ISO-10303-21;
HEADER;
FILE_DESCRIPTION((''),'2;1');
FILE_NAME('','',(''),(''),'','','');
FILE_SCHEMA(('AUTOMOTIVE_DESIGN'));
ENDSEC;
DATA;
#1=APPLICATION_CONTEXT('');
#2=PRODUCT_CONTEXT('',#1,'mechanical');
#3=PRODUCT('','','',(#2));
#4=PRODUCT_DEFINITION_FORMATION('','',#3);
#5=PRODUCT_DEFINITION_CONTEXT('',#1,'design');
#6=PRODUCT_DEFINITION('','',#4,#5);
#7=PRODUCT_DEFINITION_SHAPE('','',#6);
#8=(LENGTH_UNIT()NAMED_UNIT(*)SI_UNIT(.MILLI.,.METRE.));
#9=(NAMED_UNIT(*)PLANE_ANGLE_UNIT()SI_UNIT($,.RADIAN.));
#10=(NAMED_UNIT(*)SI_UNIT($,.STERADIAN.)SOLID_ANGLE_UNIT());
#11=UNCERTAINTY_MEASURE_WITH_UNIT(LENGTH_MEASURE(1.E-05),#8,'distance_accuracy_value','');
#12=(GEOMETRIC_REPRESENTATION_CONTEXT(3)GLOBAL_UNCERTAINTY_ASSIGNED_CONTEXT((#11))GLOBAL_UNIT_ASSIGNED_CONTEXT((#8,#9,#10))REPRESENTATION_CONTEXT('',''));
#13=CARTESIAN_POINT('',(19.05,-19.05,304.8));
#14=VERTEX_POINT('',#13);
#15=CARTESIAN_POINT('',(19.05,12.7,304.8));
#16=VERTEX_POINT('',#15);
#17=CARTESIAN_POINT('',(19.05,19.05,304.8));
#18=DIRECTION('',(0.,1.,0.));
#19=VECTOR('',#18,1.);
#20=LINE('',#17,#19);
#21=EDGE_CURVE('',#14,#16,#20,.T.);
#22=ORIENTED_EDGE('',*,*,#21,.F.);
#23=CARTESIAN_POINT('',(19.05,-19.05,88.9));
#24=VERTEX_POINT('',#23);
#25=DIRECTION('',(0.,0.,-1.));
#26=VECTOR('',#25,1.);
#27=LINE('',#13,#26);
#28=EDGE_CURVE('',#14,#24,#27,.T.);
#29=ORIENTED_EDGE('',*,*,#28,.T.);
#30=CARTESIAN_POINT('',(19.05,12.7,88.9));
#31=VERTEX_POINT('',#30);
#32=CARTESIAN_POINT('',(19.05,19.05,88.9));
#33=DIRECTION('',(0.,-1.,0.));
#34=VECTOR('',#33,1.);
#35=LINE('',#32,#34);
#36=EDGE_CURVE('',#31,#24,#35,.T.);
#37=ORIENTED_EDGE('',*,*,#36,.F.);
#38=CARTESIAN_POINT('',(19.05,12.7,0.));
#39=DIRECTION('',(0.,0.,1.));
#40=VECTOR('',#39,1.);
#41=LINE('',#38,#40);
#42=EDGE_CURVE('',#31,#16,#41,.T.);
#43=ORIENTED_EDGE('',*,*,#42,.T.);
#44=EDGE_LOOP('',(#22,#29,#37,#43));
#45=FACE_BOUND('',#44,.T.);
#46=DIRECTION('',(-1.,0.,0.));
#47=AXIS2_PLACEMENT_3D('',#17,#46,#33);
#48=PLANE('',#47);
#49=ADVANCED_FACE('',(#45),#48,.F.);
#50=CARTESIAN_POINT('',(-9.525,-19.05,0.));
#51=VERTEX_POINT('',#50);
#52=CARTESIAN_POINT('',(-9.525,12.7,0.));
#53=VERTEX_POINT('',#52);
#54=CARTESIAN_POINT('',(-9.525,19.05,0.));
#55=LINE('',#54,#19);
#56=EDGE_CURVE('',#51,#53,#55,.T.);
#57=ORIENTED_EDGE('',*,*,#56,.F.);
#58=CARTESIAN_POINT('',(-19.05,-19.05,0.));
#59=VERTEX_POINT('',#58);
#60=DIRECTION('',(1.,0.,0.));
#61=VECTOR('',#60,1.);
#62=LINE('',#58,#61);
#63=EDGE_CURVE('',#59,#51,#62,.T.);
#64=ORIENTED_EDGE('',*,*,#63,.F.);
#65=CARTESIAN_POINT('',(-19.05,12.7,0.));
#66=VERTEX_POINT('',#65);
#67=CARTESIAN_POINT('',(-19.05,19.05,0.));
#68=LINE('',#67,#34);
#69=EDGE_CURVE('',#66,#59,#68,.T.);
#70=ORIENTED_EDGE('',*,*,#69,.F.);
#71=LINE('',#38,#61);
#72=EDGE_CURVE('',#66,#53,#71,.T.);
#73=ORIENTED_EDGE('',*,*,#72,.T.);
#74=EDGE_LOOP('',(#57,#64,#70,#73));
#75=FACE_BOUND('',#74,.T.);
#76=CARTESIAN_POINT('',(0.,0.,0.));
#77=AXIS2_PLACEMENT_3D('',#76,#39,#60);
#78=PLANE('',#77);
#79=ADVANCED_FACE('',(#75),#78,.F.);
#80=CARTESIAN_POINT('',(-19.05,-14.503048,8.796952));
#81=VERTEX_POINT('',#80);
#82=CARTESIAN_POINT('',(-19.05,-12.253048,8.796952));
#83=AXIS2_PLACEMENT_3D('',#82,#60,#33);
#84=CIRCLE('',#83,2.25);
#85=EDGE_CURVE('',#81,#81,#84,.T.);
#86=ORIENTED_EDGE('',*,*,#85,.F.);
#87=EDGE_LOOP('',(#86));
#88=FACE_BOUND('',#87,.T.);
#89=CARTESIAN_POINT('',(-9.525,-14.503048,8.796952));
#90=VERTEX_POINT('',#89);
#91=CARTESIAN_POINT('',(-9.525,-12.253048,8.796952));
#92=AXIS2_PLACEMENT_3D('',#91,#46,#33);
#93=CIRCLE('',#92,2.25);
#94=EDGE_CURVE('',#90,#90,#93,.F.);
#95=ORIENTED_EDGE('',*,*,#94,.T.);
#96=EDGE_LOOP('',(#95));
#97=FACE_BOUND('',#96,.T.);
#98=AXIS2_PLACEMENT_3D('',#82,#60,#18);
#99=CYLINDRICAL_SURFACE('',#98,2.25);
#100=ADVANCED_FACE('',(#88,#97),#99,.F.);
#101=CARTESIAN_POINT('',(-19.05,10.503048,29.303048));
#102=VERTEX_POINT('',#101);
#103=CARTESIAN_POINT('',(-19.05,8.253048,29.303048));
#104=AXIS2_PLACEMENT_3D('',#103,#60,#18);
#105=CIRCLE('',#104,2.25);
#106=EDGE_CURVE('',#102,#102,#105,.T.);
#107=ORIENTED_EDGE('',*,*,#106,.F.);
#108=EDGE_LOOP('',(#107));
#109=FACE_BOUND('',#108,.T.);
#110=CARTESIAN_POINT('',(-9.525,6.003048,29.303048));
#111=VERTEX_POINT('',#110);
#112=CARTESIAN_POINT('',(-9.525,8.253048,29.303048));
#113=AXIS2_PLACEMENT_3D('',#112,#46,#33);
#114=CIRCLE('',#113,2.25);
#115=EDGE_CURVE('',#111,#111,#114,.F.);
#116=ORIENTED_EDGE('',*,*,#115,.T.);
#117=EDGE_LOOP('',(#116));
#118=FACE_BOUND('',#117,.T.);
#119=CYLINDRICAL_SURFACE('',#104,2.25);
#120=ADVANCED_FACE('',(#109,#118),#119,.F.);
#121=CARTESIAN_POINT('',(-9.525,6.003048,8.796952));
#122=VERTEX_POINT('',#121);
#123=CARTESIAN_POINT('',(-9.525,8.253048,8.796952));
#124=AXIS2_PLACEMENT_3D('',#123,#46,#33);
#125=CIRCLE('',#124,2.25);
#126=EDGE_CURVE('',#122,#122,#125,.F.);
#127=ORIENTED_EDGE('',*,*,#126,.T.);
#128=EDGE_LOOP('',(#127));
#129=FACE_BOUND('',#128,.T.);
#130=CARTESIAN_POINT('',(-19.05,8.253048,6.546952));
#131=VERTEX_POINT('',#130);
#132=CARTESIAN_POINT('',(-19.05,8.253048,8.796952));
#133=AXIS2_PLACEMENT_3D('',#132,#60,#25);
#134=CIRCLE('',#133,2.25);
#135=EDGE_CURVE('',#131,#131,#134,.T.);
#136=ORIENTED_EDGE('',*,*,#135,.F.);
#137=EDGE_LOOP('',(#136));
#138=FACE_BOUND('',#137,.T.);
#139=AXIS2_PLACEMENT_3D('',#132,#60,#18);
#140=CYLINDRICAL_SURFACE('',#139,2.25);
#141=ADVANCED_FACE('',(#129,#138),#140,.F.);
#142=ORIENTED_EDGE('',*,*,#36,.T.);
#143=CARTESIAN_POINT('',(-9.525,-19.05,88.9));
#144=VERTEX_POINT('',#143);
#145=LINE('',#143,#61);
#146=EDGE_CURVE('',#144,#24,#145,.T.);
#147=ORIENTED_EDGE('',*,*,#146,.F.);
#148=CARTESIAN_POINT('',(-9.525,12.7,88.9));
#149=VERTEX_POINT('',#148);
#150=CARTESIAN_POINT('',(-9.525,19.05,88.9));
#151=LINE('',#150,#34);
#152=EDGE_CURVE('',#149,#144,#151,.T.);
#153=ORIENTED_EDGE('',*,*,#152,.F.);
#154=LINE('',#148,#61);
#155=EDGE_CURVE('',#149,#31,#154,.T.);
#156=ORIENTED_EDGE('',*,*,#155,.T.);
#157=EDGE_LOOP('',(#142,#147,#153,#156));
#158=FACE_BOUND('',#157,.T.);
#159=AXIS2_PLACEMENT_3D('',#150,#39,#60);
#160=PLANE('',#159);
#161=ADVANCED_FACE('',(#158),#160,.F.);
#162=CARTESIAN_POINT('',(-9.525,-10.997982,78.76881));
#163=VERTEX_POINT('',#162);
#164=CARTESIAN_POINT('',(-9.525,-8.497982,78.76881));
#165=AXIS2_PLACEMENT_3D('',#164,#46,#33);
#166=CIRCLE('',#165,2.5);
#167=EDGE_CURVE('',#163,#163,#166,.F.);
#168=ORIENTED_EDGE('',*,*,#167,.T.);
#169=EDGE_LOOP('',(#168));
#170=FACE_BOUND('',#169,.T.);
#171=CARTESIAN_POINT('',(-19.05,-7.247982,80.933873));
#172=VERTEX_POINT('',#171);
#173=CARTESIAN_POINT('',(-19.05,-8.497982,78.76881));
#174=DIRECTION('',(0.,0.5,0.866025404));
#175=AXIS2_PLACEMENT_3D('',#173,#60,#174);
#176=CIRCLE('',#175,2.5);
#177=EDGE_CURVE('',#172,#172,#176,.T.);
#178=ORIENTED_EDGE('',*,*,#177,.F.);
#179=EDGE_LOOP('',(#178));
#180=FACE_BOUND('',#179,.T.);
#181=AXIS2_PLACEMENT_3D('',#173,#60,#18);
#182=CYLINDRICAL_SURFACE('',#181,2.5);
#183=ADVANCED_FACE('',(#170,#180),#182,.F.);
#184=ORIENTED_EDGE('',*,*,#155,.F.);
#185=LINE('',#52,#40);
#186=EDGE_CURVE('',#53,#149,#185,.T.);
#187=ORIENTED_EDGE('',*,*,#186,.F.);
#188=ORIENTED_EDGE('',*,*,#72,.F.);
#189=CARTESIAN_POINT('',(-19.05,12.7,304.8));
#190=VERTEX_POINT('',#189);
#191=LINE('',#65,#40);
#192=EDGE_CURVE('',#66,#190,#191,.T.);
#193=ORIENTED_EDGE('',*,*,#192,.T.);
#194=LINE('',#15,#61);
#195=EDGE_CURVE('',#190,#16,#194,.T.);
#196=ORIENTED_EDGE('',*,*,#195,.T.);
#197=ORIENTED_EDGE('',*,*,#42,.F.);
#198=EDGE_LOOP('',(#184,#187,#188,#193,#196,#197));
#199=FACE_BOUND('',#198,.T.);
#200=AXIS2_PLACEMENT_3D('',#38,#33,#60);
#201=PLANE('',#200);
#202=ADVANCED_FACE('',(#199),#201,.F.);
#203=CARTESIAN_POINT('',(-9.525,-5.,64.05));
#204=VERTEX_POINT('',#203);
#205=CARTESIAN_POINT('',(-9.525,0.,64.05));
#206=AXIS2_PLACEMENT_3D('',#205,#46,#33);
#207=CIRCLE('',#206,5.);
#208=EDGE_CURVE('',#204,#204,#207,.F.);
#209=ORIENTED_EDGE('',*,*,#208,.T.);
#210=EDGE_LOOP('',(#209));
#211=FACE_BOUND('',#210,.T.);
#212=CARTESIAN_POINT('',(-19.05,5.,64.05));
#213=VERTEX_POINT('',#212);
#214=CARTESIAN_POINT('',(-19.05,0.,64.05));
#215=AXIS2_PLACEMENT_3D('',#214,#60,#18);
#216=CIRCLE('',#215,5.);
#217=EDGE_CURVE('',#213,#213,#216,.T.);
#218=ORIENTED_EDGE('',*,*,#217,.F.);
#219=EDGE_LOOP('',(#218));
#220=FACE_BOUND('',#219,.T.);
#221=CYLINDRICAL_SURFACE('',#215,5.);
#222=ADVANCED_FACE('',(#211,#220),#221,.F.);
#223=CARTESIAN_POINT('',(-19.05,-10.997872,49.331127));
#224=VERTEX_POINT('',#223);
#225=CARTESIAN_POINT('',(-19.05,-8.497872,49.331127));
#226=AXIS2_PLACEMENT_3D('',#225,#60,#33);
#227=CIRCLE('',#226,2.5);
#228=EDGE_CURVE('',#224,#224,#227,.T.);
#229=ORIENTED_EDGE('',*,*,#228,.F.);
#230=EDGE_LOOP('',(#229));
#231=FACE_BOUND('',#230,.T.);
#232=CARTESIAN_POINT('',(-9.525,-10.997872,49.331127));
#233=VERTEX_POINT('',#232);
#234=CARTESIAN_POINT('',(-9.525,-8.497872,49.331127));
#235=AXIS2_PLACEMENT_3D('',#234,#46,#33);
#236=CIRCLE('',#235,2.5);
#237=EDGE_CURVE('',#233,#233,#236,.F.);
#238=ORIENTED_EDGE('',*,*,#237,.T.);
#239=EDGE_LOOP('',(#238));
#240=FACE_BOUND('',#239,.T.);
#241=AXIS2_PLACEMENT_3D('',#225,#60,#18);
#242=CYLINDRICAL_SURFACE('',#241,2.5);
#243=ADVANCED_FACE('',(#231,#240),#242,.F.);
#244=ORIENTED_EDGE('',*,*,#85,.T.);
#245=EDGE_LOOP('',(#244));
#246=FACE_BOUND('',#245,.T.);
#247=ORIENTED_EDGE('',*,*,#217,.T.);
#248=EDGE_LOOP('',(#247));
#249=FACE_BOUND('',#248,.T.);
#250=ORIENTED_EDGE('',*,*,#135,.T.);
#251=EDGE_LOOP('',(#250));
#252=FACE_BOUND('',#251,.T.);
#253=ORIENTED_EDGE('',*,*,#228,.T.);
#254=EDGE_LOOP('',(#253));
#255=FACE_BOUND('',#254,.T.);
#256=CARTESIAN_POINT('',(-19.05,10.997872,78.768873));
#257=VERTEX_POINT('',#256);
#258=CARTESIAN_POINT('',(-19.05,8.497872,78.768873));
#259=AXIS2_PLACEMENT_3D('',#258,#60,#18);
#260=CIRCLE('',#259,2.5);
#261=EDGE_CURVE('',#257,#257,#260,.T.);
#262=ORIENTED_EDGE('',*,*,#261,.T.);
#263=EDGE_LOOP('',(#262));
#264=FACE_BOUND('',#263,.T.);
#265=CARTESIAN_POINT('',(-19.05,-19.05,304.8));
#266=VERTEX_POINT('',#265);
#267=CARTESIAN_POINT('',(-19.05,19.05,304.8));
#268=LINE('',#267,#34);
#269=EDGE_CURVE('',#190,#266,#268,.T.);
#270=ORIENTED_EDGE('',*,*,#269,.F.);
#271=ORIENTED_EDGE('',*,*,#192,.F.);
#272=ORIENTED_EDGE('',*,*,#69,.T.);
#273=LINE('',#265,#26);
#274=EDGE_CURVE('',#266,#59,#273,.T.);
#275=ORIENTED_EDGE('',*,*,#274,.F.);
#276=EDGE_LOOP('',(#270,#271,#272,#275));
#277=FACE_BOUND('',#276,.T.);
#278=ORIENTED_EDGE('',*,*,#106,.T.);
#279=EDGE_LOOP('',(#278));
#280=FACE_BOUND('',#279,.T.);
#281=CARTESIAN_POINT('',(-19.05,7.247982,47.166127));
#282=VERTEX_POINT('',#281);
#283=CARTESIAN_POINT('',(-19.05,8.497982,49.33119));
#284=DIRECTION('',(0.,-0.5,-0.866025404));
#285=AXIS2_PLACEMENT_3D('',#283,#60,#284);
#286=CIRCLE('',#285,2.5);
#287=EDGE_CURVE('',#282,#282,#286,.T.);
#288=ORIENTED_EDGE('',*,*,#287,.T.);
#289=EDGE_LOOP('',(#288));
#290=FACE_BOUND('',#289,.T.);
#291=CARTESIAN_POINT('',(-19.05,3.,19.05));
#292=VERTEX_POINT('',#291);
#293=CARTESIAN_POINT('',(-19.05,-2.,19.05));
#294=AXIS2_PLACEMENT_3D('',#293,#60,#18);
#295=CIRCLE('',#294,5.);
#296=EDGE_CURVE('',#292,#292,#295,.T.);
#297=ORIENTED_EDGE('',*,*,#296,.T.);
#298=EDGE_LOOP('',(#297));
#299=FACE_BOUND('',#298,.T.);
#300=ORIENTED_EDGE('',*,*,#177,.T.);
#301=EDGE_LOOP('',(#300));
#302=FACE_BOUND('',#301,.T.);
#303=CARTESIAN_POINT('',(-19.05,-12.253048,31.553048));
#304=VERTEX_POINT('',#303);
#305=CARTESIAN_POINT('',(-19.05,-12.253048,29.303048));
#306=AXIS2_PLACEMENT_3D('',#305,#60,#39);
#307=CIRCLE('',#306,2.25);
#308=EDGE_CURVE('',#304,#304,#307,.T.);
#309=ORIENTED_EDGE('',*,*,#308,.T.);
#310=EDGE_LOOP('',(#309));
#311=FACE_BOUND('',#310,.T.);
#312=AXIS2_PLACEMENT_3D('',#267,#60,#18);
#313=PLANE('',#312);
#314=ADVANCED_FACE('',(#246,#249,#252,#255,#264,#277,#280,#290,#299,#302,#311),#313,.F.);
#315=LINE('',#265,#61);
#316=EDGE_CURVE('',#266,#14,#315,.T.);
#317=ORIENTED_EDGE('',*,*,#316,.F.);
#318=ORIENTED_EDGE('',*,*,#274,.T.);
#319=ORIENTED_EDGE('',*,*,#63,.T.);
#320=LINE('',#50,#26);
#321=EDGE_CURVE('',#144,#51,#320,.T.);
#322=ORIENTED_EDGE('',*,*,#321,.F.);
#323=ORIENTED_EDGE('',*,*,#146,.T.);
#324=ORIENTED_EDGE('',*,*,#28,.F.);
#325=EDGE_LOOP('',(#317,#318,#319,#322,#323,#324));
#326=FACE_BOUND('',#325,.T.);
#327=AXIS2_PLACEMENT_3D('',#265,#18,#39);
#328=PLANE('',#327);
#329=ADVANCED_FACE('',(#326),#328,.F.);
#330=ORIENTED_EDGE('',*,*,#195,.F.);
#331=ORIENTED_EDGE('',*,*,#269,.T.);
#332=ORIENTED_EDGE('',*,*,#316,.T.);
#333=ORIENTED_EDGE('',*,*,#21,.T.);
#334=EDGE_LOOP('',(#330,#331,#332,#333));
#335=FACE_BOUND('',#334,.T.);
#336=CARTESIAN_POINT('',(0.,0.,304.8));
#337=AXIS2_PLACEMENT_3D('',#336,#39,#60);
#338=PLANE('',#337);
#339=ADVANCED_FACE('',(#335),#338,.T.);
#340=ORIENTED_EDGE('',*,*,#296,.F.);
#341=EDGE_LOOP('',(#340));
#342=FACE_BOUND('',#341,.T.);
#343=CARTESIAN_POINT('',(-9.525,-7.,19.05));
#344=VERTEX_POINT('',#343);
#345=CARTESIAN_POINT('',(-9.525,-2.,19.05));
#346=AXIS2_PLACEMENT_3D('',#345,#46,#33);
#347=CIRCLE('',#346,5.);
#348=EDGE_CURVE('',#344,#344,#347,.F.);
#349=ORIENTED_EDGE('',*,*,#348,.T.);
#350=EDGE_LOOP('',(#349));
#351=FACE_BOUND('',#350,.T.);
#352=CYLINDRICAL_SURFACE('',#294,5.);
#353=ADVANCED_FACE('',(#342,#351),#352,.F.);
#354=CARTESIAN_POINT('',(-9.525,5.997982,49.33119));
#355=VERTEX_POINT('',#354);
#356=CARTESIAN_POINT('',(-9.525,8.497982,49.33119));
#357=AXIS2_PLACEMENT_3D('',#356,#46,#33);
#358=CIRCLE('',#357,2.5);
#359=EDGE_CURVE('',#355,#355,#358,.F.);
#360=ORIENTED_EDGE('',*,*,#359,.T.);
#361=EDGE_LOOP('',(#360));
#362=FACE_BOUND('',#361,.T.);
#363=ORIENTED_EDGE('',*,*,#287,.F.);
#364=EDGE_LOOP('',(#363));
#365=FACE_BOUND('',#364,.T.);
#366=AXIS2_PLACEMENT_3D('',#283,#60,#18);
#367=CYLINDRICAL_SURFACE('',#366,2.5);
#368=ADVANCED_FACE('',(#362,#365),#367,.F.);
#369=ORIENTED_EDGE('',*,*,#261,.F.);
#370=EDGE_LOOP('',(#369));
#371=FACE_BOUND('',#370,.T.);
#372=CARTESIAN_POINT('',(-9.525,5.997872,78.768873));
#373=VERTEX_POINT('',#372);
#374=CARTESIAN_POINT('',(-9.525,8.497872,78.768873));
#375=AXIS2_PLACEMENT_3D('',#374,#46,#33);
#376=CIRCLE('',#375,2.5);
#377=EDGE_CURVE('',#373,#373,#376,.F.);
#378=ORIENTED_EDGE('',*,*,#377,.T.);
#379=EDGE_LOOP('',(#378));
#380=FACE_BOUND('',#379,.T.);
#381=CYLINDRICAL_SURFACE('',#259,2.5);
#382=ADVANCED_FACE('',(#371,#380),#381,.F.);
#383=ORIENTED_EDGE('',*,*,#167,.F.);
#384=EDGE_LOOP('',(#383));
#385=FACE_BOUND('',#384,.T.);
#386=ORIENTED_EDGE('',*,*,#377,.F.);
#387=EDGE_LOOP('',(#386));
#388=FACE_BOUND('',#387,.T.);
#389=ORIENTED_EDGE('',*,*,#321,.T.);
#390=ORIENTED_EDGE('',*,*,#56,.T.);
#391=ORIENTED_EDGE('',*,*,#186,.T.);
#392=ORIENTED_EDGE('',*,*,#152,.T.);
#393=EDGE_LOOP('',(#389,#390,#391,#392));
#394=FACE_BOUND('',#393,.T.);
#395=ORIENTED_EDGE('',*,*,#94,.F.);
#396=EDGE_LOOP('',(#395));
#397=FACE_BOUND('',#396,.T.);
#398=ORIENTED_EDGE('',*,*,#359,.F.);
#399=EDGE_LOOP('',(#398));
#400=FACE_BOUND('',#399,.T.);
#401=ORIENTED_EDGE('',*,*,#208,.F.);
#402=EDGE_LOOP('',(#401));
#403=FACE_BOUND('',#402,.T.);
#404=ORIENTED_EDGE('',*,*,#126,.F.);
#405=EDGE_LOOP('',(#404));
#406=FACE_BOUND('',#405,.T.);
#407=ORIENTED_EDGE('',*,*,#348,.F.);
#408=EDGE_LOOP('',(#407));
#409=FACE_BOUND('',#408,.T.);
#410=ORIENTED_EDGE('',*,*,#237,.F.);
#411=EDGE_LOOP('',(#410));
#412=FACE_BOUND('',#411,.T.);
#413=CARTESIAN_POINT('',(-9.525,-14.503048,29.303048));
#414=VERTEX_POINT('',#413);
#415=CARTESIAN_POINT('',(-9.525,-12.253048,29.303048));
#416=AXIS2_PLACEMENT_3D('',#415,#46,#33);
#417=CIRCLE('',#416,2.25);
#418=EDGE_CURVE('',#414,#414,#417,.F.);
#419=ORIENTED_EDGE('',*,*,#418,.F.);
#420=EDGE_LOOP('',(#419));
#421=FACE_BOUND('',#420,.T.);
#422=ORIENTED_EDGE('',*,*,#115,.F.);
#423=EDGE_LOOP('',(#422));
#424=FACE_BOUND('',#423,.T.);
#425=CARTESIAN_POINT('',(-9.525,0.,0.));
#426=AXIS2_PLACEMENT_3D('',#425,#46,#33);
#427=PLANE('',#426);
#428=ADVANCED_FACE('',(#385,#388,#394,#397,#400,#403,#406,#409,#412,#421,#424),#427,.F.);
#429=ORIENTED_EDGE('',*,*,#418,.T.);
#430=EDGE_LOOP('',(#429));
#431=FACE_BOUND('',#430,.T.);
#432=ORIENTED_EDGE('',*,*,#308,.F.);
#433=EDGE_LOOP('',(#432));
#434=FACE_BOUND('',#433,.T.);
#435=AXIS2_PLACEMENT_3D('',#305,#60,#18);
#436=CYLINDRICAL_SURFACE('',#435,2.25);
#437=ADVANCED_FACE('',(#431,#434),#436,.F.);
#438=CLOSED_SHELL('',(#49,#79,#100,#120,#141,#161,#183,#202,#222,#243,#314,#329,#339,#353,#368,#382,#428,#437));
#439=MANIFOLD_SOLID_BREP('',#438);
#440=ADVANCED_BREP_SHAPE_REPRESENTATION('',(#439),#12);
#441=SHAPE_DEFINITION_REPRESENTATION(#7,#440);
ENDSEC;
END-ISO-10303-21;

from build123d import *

# Parameters (mm, degrees)
SKETCH1_W           = 38.1
SKETCH1_H           = 38.1
BOSS_EXTRUDE1_DEPTH = 304.8
SKETCH2_R           = 5
CUT_EXTRUDE1_DEPTH  = 308.762168728
SKETCH4_R           = 2.5
CUT_EXTRUDE3_DEPTH  = 308.762168728
CIRPATTERN2_COUNT   = 6
SKETCH5_R           = 2.25
CUT_EXTRUDE4_DEPTH  = 308.762168728
CIRPATTERN3_COUNT   = 4
SKETCH6_W           = 88.9
SKETCH6_H           = 38.1
CUT_EXTRUDE5_DEPTH  = 28.575
SKETCH7_W           = 38.1
SKETCH7_H           = 6.35
CUT_EXTRUDE6_DEPTH  = 306.9883086


with BuildPart() as part:
    # Sketch1 → Boss-Extrude1 (new body)
    with BuildSketch(Plane.XY):
        Rectangle(SKETCH1_W, SKETCH1_H)
    extrude(amount=BOSS_EXTRUDE1_DEPTH)

    # Sketch2 → Cut-Extrude1 (cut, through all)
    with BuildSketch(Plane(origin=(19.05, 0, 0), x_dir=(0, 0, -1), z_dir=(1, 0, 0))):
        with Locations(Location((-19.05, -2, 0), (0, 0, 90))):
            Circle(SKETCH2_R)
        with Locations(Location((-64.05, 0, 0), (0, 0, 90))):
            Circle(SKETCH2_R)
    extrude(amount=-CUT_EXTRUDE1_DEPTH, mode=Mode.SUBTRACT)

    # Sketch4 → Cut-Extrude3 (cut, through all)
    with BuildSketch(Plane(origin=(19.05, 0, 0), x_dir=(0, 0, -1), z_dir=(1, 0, 0))):
        with Locations(Location((-78.768873451, 8.497872059, 0), (0, 0, 90))):
            Circle(SKETCH4_R)
    cut_extrude3 = extrude(amount=-CUT_EXTRUDE3_DEPTH, mode=Mode.SUBTRACT)

    # CirPattern2: Cut-Extrude3 ×6 about axis, 2 skipped
    cirpattern2_axis = Axis((0, 0, 64.05), (1, 0, 0))
    add([cut_extrude3.rotate(cirpattern2_axis, i * 360 / CIRPATTERN2_COUNT) for i in range(1, CIRPATTERN2_COUNT) if i not in (2, 5)], mode=Mode.SUBTRACT)

    # Sketch5 → Cut-Extrude4 (cut, through all)
    with BuildSketch(Plane(origin=(19.05, 0, 0), x_dir=(0, 0, -1), z_dir=(1, 0, 0))):
        with Locations(Location((-29.303048327, 8.253048327, 0), (0, 0, 90))):
            Circle(SKETCH5_R)
    cut_extrude4 = extrude(amount=-CUT_EXTRUDE4_DEPTH, mode=Mode.SUBTRACT)

    # CirPattern3: Cut-Extrude4 ×4 about axis
    cirpattern3_axis = Axis((0, -2, 19.05), (1, 0, 0))
    for i in range(1, CIRPATTERN3_COUNT):
        add(cut_extrude4.rotate(cirpattern3_axis, i * 360 / CIRPATTERN3_COUNT), mode=Mode.SUBTRACT)

    # Sketch6 → Cut-Extrude5 (cut)
    with BuildSketch(Plane(origin=(19.05, 0, 0), x_dir=(0, 0, -1), z_dir=(1, 0, 0))):
        with Locations((-44.45, 0)):
            Rectangle(SKETCH6_W, SKETCH6_H)
    extrude(amount=-CUT_EXTRUDE5_DEPTH, mode=Mode.SUBTRACT)

    # Sketch7 → Cut-Extrude6 (cut, through all)
    with BuildSketch(Plane.XY.offset(304.8)):
        with Locations((0, 15.875)):
            Rectangle(SKETCH7_W, SKETCH7_H)
    extrude(amount=-CUT_EXTRUDE6_DEPTH, mode=Mode.SUBTRACT)


solid = part.part
